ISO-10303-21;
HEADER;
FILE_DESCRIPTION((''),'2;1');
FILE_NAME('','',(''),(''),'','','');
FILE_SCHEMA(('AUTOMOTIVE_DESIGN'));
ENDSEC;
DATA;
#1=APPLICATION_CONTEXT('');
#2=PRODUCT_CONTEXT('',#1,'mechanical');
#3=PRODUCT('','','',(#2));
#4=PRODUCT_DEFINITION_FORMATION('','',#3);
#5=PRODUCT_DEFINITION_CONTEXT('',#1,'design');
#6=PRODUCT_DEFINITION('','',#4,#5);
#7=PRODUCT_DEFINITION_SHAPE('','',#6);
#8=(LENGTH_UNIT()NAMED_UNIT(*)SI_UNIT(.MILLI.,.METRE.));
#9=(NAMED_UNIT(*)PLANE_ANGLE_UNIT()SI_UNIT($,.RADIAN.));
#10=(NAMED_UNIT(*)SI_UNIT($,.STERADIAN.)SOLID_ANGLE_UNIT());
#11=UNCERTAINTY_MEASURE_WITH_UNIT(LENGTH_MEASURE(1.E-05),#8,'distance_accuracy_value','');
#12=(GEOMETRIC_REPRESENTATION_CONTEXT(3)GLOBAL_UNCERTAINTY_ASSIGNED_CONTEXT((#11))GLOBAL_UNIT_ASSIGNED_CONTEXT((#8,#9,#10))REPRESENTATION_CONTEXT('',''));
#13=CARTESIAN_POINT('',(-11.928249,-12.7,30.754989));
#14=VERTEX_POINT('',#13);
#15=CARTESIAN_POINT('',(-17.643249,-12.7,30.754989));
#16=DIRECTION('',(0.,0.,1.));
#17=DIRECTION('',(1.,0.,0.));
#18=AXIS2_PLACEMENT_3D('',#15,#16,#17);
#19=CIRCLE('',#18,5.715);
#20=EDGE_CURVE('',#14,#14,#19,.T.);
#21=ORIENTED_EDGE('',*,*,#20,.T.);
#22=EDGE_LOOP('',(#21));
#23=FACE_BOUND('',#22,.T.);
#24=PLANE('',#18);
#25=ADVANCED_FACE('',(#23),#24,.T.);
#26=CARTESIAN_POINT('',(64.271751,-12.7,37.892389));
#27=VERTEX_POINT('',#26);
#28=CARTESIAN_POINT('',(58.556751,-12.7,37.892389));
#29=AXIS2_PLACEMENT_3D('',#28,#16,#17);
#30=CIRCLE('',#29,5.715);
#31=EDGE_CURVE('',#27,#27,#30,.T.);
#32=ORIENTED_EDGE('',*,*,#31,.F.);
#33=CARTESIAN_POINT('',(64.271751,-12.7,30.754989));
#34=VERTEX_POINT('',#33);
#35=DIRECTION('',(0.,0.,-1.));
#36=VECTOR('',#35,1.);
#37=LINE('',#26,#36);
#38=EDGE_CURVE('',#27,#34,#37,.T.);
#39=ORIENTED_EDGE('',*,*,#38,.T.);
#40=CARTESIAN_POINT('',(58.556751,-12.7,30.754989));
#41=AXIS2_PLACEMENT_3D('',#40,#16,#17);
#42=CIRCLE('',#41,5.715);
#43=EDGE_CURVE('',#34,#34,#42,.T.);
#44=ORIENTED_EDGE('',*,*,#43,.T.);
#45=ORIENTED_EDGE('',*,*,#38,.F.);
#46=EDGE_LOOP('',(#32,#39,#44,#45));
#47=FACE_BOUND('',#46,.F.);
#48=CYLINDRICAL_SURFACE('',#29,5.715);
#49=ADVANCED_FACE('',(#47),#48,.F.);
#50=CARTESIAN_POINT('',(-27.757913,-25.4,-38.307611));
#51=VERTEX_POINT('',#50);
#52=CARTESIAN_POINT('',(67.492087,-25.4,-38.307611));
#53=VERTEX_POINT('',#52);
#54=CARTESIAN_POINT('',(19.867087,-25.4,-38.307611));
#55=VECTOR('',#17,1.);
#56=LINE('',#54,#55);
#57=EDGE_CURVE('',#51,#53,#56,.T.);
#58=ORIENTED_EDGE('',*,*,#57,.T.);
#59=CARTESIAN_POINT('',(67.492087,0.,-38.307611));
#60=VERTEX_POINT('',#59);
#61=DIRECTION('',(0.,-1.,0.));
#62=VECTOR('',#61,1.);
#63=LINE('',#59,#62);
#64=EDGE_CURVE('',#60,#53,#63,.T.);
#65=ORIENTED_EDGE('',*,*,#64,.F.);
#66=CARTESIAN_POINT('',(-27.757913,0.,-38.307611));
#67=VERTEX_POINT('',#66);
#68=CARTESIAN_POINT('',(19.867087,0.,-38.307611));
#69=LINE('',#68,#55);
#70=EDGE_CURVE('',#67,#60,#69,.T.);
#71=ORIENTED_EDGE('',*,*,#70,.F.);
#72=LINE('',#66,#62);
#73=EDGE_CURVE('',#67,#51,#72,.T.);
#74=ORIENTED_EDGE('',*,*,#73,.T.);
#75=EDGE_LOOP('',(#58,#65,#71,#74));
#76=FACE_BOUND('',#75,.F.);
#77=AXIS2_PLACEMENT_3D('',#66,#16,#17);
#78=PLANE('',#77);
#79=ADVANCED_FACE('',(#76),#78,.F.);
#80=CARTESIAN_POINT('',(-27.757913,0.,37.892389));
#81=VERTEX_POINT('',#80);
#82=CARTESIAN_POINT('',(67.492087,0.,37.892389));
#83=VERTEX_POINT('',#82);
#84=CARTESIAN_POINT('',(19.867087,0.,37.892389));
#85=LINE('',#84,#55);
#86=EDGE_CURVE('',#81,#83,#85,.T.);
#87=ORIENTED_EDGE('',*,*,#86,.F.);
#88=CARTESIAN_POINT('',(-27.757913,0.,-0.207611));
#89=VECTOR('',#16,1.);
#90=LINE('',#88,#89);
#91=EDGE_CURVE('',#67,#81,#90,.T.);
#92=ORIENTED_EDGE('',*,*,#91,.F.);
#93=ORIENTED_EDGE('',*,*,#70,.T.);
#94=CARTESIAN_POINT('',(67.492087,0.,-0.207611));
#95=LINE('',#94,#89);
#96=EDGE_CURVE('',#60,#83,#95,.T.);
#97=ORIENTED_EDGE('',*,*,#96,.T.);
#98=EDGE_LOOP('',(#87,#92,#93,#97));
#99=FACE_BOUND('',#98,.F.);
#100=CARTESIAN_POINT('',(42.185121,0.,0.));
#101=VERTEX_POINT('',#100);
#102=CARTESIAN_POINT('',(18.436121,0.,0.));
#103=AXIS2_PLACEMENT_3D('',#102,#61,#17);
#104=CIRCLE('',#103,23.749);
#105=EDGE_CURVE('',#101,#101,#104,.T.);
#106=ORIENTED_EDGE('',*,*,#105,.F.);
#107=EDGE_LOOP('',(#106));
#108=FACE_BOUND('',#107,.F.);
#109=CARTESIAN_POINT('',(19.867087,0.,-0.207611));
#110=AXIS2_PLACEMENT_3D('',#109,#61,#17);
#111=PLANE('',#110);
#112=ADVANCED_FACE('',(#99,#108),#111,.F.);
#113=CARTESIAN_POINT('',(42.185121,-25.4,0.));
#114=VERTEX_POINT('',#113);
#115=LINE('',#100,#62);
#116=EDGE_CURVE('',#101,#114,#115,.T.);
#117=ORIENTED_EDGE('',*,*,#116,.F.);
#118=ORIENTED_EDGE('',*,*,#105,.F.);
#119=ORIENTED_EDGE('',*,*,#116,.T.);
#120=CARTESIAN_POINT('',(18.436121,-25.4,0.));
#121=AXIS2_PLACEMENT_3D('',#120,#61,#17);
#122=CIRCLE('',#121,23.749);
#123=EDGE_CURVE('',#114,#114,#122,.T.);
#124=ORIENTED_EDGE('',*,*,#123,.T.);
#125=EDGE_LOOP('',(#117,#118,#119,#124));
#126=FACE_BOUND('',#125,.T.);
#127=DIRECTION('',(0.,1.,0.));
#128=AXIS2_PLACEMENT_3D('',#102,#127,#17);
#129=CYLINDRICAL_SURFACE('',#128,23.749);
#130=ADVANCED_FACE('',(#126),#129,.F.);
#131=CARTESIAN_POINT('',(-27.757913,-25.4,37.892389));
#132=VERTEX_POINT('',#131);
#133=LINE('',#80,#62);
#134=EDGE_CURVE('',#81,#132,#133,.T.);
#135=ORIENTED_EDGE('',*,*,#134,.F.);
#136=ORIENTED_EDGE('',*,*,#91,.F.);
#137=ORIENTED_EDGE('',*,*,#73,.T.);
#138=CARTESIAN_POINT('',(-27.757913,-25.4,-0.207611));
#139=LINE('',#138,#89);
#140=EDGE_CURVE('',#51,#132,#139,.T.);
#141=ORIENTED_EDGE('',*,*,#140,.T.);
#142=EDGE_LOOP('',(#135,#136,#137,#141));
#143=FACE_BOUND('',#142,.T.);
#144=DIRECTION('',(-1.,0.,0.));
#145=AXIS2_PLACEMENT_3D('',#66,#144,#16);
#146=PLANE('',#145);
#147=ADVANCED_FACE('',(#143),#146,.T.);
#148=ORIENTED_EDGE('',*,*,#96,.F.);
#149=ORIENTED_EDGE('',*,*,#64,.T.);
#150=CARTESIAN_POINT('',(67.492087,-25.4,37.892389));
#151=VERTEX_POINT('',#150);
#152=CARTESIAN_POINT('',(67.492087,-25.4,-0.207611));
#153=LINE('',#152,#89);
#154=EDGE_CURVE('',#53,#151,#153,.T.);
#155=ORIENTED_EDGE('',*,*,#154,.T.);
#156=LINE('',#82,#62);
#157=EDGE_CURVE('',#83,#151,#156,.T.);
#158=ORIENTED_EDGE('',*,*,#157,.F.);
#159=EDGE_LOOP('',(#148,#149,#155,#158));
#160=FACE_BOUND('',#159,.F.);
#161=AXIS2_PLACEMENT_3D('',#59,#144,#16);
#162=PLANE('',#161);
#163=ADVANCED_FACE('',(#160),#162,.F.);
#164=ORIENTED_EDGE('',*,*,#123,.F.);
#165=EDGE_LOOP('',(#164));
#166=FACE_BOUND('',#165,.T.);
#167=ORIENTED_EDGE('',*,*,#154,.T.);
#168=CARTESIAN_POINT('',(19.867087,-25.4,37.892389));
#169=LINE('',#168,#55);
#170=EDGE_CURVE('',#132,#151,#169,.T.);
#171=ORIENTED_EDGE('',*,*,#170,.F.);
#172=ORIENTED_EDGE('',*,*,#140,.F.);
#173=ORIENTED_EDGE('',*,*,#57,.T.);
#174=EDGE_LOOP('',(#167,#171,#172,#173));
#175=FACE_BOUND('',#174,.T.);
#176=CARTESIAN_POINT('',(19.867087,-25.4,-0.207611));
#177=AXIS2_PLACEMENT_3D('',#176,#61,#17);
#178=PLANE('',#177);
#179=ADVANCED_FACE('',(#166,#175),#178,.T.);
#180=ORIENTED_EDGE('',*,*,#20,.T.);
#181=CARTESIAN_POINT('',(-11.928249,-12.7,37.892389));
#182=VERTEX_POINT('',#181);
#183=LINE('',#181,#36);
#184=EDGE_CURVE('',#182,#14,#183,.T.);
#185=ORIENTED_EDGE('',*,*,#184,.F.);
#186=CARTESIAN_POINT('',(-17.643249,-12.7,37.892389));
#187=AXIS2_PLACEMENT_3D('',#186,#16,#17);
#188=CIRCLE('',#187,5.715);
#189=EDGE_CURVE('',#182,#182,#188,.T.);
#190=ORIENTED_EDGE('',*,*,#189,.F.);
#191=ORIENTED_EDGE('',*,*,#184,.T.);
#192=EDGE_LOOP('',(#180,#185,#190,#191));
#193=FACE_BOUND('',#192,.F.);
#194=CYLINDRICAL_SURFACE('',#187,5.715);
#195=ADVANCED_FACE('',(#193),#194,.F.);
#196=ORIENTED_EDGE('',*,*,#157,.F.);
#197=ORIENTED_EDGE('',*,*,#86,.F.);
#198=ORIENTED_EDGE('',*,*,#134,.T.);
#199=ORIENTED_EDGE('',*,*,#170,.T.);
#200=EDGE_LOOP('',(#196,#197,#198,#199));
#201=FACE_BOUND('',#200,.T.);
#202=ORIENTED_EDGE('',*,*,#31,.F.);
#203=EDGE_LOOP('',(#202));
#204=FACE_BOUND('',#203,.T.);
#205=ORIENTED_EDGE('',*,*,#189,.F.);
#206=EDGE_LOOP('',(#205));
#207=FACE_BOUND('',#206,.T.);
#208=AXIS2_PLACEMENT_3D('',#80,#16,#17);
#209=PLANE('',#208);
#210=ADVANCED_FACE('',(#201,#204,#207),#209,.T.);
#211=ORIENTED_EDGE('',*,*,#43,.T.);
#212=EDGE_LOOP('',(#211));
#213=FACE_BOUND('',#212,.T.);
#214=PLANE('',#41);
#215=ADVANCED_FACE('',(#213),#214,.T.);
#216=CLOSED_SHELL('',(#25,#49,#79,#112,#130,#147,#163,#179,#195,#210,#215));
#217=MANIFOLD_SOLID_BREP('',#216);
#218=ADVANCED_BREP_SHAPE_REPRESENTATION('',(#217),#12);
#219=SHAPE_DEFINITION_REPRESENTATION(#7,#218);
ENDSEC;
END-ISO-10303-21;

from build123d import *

# Parameters (mm, degrees)
F0_W     = 95.25
F0_H     = 76.2
F0_R     = 23.749
F1_DEPTH = 25.4
F2_R     = 3.5687
F3_DEPTH = 7.1374
F4_R     = 5.715
F5_DEPTH = 7.1374


with BuildPart() as f1:
    # F0 (on Front) → F1 (new body)
    with BuildSketch(Plane.XZ):
        with Locations((19.8670865009, -0.2076110487)):
            Rectangle(F0_W, F0_H)
        with Locations((18.436120823, 0)):
            Circle(F0_R, mode=Mode.SUBTRACT)
    extrude(amount=F1_DEPTH)

    # F2 (on face) → F3 (cut)
    with BuildSketch(Plane.XY.offset(37.8923889513)):
        with Locations((57.6765805199, -11.9477792656)):
            Circle(F2_R)
    extrude(amount=F3_DEPTH, mode=Mode.SUBTRACT)

    # F4 (on face) → F5 (cut)
    with BuildSketch(Plane.XY.offset(37.8923889513)):
        with Locations((-17.6432492146, -12.7)):
            Circle(F4_R)
        with Locations((58.5567507854, -12.7)):
            Circle(F4_R)
    extrude(amount=-F5_DEPTH, mode=Mode.SUBTRACT)


solid = f1.part
